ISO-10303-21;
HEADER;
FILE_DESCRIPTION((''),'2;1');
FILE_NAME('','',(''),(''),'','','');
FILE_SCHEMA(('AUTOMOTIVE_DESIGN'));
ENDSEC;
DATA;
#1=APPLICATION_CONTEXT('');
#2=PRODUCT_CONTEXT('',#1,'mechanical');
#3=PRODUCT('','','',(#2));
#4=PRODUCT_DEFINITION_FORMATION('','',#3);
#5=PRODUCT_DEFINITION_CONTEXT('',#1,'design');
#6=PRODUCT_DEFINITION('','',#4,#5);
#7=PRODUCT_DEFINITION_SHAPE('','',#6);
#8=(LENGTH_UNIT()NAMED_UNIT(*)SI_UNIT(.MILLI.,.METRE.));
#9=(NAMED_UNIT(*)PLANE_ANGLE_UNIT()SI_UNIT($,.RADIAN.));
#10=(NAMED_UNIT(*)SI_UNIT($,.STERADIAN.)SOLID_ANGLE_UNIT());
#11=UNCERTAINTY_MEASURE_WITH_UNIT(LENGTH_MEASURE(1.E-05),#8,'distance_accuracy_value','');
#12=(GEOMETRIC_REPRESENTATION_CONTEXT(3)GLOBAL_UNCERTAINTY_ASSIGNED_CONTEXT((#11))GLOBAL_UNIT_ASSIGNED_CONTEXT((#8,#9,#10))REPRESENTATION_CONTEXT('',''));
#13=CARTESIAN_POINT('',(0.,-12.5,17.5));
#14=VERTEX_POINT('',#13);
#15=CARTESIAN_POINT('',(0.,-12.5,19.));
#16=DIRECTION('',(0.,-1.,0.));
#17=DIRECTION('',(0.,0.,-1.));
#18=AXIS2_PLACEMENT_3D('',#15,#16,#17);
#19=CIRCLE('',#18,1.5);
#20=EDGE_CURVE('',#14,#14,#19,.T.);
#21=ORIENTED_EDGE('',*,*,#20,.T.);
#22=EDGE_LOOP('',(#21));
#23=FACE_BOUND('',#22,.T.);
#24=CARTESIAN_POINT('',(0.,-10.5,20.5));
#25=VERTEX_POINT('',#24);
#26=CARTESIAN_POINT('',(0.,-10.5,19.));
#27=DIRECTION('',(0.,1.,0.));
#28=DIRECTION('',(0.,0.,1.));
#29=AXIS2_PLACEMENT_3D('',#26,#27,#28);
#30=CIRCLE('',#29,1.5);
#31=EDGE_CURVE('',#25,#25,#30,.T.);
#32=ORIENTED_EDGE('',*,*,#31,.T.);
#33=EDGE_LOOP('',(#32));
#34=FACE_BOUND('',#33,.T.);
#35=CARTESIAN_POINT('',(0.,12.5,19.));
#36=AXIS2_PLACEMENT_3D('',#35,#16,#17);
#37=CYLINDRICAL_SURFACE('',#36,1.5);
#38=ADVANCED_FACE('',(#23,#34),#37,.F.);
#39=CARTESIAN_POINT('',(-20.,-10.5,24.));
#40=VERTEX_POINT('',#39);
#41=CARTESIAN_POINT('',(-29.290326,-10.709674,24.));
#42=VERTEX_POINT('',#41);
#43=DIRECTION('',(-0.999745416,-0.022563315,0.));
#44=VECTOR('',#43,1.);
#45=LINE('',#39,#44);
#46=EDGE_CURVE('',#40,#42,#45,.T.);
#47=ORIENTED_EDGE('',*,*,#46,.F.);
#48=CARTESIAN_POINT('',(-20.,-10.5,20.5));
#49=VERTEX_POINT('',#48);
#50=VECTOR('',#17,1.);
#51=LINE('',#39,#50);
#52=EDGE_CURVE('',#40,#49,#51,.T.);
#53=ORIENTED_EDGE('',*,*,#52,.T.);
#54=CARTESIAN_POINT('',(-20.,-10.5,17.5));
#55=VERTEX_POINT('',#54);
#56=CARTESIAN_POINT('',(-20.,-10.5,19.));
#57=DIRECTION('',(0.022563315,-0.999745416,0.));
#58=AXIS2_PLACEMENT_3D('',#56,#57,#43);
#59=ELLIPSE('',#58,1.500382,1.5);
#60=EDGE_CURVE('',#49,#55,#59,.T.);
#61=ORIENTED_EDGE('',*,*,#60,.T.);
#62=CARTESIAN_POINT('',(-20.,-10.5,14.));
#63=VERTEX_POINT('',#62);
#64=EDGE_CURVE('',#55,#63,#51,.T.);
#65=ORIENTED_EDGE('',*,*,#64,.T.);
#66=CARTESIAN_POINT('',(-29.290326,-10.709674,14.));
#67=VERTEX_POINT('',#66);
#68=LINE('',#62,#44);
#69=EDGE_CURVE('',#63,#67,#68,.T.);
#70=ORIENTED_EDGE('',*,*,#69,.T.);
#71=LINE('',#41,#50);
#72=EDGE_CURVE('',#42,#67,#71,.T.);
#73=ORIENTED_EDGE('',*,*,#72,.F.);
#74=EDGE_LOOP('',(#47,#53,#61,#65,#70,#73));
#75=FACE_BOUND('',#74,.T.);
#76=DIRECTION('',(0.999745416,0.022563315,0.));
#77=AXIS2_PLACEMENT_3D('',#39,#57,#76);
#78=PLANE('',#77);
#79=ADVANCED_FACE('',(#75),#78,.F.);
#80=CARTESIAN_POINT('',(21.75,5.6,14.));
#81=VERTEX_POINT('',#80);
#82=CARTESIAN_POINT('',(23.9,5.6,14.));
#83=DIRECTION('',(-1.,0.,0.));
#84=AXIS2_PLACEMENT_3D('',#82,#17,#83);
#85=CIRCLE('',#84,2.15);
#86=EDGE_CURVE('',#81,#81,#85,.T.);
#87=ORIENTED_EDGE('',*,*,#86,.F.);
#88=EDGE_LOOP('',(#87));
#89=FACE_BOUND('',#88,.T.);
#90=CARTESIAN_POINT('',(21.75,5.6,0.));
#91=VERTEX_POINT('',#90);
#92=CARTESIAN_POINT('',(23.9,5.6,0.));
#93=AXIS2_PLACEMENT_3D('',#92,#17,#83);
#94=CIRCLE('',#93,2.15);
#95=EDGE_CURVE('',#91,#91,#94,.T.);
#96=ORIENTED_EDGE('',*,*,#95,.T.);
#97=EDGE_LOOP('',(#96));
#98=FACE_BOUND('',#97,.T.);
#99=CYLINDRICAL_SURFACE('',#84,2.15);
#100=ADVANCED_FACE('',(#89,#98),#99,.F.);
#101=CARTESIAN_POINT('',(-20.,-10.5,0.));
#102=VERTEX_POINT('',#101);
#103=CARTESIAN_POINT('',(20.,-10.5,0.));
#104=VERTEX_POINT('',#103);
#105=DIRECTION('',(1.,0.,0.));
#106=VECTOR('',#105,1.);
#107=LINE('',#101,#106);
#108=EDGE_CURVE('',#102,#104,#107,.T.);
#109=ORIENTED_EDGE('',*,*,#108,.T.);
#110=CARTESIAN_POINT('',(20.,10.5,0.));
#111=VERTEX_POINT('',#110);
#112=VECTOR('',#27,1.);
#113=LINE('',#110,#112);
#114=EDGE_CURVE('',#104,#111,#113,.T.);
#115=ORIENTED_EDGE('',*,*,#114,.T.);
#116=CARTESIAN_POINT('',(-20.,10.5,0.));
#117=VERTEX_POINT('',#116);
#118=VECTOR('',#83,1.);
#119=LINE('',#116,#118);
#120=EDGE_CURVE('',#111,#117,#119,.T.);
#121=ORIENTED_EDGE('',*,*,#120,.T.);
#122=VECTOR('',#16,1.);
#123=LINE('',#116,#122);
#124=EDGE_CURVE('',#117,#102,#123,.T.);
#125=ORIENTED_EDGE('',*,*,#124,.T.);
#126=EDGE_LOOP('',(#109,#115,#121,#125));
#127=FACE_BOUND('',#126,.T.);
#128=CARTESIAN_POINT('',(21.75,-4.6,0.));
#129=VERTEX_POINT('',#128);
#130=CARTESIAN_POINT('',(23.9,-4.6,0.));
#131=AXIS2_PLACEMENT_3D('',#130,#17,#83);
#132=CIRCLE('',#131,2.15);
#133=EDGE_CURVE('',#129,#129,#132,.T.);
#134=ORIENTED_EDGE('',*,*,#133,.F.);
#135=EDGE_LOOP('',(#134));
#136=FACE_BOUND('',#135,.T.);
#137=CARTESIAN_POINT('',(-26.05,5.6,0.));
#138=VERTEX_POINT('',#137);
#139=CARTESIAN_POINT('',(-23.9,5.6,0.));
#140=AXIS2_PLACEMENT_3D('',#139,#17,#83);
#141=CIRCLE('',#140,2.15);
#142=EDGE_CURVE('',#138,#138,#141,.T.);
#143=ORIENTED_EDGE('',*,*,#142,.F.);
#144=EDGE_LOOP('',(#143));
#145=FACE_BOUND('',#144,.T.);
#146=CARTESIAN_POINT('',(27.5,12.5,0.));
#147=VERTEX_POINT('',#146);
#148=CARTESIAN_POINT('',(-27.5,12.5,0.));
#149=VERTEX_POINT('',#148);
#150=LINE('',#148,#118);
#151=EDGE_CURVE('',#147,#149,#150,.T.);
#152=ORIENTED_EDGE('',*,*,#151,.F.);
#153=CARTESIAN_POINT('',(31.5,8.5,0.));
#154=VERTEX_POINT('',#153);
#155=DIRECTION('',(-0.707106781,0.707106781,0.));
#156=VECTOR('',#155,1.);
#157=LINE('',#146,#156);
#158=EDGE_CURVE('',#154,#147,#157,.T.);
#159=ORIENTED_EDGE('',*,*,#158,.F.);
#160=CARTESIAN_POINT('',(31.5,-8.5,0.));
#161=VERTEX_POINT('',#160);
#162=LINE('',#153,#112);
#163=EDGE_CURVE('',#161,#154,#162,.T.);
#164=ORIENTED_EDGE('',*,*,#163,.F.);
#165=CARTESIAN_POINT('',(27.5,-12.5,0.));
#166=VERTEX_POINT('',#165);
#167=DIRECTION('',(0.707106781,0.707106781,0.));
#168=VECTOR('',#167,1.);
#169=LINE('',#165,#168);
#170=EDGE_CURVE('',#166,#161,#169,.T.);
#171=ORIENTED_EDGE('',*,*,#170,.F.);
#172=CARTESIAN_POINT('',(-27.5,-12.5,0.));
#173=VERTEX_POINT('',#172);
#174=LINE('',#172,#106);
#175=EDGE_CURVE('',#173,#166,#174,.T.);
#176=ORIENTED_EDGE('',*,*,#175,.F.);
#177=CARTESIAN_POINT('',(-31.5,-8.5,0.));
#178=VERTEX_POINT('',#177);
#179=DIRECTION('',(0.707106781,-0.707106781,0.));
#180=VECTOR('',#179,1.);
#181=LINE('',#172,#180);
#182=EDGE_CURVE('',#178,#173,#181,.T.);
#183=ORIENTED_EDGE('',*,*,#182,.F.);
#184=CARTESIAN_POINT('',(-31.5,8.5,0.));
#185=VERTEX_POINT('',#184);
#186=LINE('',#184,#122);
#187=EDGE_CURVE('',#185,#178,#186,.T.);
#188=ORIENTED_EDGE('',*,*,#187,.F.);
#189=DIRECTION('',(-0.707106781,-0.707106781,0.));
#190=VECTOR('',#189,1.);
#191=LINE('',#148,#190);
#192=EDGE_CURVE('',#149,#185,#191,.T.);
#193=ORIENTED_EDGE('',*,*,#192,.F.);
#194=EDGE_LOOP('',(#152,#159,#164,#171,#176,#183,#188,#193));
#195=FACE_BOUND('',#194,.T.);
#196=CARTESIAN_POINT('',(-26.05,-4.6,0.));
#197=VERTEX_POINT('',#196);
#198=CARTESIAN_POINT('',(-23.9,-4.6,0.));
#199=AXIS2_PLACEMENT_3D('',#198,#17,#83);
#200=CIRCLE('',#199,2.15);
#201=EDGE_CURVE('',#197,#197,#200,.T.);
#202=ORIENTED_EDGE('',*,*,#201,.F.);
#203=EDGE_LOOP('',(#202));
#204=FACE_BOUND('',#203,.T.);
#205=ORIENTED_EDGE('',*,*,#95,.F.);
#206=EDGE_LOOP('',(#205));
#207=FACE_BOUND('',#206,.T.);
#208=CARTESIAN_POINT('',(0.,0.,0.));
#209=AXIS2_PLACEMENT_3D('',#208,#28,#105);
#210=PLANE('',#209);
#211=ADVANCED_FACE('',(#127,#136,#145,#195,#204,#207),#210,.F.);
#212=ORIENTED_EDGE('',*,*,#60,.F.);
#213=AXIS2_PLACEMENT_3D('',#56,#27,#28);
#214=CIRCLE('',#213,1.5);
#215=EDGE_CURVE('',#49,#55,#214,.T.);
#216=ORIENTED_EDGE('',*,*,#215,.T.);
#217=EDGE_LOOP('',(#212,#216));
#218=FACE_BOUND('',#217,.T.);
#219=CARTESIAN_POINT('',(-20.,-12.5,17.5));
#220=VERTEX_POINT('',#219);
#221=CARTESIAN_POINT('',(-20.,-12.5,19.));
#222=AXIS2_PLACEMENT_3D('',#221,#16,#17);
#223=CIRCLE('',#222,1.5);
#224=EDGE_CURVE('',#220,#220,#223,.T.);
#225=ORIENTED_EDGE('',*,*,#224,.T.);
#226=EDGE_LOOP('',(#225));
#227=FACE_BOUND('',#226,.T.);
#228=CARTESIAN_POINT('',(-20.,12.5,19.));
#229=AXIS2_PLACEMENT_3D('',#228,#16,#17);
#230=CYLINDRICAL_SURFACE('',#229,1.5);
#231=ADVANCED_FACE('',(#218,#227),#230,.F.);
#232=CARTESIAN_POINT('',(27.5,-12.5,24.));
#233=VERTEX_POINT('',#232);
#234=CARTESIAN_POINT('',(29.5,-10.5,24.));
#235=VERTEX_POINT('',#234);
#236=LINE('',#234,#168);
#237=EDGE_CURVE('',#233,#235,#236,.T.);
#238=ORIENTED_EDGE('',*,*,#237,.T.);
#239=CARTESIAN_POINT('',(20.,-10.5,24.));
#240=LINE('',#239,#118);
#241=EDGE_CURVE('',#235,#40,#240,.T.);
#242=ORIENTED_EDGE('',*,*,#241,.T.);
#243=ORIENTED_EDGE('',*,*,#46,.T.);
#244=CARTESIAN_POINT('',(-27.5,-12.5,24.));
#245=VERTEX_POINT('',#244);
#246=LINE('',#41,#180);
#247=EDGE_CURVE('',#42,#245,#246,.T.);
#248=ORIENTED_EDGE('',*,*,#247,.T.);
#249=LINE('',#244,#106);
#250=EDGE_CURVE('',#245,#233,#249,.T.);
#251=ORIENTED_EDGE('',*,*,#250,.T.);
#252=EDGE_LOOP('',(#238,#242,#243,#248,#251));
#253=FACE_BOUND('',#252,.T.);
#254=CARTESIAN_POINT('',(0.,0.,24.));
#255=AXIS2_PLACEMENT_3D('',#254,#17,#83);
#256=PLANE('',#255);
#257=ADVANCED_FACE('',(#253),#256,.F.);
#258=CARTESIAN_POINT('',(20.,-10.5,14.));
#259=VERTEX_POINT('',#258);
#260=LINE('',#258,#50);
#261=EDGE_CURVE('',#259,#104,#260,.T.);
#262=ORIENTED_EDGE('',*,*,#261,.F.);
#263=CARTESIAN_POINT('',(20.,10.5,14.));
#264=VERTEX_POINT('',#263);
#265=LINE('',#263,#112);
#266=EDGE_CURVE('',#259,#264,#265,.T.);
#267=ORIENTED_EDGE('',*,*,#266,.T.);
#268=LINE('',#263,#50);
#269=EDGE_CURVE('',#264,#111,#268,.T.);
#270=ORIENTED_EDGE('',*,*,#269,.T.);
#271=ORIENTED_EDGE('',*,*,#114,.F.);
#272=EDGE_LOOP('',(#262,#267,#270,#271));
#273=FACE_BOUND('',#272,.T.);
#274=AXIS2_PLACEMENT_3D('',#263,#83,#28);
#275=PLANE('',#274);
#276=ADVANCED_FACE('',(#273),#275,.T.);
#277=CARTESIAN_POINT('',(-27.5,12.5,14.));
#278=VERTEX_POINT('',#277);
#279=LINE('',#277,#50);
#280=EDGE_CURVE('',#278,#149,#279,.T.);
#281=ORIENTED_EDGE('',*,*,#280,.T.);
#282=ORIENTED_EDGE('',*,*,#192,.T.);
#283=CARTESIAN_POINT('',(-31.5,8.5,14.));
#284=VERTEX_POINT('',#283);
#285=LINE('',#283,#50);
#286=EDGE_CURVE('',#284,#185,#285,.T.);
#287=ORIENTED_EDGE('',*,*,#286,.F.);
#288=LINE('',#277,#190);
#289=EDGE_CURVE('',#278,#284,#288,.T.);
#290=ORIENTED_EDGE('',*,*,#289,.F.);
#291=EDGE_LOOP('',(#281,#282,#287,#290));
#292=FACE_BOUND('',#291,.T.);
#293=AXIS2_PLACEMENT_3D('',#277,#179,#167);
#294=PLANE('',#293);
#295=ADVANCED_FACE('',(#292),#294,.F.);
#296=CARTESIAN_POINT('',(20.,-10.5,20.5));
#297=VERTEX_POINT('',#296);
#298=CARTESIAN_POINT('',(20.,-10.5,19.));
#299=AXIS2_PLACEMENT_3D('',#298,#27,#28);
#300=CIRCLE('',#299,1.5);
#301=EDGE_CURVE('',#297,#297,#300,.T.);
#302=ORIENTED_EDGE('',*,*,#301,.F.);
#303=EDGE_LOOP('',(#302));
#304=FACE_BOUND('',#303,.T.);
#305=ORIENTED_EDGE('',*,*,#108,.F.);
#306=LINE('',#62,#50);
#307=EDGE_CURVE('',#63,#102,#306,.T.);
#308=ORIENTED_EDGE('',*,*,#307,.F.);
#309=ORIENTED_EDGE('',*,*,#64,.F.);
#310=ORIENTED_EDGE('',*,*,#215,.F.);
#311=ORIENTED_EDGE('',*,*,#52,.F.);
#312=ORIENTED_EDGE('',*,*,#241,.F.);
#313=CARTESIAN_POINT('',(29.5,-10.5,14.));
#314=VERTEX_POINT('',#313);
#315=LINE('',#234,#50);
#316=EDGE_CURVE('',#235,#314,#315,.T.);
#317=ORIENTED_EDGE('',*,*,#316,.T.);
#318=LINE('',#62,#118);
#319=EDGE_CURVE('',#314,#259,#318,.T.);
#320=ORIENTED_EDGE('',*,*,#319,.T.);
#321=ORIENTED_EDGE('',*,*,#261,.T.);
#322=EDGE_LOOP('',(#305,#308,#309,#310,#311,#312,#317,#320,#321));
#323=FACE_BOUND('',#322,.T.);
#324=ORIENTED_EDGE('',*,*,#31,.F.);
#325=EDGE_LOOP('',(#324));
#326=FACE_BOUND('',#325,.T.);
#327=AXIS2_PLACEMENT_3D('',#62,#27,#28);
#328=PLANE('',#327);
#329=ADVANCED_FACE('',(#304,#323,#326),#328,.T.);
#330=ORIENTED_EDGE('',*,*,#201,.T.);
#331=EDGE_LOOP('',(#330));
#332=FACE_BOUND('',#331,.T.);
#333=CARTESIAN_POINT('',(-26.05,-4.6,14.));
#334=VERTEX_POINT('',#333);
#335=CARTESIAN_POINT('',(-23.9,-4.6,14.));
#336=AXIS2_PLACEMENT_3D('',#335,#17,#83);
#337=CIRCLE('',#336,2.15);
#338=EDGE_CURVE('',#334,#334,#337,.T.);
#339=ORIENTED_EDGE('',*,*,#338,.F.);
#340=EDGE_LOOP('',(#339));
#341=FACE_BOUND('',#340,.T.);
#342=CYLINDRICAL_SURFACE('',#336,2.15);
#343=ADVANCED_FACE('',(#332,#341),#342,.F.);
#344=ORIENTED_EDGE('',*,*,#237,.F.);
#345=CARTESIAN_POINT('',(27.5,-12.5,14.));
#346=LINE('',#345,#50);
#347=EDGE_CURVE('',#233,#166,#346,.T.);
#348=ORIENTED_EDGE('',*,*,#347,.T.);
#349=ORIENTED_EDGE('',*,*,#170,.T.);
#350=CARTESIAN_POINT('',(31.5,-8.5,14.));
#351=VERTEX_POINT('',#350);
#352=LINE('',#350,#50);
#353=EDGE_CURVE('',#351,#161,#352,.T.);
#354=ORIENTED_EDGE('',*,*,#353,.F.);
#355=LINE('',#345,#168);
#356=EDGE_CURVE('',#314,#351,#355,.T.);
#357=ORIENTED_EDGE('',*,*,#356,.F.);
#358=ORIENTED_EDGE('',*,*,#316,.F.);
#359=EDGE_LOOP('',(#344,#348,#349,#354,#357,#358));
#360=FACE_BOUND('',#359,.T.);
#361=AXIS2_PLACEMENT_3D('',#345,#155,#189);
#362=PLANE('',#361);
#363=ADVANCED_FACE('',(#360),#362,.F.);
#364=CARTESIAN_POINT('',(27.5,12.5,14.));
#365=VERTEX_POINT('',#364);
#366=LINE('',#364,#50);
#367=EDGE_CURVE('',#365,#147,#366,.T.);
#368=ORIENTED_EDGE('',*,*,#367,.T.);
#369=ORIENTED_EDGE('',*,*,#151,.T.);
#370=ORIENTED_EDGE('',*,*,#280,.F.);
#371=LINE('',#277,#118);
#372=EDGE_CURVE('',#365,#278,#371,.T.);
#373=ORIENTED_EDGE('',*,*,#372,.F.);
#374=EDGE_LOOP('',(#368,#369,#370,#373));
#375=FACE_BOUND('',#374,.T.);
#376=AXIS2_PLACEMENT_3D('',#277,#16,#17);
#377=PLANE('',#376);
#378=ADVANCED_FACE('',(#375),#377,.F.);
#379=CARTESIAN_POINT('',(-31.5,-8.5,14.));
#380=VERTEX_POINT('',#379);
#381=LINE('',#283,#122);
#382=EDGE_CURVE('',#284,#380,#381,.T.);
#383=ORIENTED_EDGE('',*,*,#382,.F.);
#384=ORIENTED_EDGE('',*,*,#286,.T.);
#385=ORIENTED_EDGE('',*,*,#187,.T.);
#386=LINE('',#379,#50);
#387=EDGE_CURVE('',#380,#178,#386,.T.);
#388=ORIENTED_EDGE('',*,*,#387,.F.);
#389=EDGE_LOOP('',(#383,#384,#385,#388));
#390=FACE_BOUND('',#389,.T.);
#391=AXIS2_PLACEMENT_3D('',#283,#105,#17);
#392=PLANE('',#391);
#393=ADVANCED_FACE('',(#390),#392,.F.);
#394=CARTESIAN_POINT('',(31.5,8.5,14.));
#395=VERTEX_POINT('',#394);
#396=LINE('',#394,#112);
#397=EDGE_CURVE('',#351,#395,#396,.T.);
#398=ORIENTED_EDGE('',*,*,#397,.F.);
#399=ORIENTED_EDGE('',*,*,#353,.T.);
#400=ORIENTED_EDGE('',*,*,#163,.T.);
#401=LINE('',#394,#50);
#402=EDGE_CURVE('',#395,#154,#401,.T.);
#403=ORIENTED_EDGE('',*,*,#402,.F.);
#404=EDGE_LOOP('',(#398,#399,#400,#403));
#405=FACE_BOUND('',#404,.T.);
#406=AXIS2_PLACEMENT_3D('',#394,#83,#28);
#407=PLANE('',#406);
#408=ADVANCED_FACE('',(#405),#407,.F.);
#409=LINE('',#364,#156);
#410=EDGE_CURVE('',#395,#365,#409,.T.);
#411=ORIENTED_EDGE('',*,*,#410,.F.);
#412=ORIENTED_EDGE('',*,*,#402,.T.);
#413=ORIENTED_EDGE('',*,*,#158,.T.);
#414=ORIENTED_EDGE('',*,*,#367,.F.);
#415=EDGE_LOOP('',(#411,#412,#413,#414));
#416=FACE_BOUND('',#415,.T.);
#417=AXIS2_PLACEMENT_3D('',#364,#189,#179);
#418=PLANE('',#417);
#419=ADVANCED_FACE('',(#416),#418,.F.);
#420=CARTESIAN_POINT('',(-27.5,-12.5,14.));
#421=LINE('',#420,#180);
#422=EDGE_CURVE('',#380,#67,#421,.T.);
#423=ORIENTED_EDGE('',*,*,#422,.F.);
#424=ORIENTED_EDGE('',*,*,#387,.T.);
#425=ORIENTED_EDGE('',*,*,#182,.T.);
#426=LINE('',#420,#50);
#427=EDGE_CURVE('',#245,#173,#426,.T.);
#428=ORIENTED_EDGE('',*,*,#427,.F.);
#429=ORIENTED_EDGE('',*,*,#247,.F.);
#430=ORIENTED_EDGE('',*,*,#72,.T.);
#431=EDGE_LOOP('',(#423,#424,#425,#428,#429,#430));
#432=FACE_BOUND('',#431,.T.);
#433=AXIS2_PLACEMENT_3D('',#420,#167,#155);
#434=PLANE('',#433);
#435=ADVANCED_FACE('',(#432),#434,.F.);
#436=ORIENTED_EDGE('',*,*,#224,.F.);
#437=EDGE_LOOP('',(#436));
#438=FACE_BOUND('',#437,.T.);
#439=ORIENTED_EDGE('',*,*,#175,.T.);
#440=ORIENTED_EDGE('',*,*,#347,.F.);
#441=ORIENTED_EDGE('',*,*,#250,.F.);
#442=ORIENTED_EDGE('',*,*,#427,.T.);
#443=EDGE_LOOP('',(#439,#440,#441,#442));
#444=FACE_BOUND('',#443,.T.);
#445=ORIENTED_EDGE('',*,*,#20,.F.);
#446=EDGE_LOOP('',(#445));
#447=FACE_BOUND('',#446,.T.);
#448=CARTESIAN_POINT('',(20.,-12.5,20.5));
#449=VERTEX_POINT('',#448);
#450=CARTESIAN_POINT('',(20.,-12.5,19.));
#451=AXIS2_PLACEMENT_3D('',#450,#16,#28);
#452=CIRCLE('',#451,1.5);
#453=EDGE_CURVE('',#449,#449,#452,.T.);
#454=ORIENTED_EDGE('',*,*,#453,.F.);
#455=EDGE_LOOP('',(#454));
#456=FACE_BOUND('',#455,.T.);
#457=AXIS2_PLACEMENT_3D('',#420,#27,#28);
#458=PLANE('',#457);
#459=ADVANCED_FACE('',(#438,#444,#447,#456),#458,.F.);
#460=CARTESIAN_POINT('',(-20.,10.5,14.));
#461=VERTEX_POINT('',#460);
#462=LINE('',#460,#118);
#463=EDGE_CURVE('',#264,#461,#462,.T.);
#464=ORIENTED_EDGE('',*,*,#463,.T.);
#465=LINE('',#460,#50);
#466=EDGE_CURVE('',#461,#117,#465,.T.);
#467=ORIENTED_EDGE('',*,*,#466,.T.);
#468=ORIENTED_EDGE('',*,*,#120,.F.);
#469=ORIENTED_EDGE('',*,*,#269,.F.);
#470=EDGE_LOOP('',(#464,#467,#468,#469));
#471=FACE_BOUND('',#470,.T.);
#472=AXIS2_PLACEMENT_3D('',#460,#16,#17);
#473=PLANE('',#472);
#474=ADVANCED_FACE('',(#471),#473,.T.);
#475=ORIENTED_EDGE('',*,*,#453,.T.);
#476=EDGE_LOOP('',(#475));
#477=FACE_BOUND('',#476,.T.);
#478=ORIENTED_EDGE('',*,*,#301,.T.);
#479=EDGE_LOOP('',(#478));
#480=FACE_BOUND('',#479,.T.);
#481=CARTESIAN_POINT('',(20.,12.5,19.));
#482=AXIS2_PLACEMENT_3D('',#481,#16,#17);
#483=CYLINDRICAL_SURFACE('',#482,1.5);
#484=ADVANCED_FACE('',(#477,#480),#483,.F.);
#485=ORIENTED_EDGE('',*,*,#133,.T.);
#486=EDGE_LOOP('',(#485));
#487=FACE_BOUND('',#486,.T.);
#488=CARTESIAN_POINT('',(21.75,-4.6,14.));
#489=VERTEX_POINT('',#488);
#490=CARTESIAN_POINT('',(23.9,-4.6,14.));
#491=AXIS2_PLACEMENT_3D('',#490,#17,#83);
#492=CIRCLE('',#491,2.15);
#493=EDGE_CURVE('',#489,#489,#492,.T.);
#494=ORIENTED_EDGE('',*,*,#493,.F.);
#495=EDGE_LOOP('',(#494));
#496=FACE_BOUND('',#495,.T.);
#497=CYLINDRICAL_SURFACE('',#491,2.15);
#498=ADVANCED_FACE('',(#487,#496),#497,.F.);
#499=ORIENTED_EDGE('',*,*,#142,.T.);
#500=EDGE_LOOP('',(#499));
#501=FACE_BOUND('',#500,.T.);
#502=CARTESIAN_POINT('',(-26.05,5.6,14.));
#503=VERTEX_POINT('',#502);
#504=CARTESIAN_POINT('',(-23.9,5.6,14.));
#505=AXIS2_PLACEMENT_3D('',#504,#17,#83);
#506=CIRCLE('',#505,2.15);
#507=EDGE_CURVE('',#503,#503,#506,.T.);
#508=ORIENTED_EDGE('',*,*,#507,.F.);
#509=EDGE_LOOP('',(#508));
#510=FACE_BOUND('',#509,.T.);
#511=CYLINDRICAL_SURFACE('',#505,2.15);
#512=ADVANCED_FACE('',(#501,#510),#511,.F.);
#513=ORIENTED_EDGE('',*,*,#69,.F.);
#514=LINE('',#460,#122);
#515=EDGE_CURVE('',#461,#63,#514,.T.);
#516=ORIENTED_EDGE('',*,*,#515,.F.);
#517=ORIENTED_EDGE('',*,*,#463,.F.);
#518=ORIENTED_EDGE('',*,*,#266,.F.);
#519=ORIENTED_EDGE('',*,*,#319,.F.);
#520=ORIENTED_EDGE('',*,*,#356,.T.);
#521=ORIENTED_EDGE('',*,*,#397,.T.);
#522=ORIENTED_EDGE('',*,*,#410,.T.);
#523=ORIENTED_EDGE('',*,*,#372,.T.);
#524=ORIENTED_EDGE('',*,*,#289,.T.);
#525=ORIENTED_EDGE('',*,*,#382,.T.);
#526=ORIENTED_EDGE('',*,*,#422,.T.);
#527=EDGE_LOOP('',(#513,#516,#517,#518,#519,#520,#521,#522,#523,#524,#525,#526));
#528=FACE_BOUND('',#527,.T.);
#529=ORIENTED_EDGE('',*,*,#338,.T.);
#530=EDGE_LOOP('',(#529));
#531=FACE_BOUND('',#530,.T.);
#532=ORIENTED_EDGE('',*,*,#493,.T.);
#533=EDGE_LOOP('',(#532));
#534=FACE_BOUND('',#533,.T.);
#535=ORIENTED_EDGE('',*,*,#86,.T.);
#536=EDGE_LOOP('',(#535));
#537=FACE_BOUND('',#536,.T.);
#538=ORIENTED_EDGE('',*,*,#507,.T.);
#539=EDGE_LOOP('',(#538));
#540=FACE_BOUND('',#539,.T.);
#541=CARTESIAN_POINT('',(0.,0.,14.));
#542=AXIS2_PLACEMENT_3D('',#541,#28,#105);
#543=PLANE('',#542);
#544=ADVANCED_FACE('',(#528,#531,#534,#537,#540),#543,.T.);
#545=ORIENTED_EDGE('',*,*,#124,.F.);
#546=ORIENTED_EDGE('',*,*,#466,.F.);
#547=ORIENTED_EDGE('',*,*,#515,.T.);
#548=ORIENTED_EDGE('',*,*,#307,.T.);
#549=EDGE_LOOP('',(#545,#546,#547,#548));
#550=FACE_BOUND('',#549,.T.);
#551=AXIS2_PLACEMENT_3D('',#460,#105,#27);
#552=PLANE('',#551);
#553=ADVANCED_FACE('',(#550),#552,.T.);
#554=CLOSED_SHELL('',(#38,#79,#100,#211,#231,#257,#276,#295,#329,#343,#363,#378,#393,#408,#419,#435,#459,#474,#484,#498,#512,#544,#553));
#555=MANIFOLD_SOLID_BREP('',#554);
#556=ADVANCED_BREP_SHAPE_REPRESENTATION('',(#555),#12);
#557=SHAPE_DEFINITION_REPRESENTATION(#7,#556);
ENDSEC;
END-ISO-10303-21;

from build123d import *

# Parameters (mm, degrees)
SKETCH1_W           = 40
SKETCH1_H           = 21
BOSS_EXTRUDE1_DEPTH = 14
SKETCH2_R           = 2.15
CUT_EXTRUDE1_DEPTH  = 15
BOSS_EXTRUDE2_DEPTH = 10
SKETCH4_R           = 1.5
CUT_EXTRUDE3_DEPTH  = 26


with BuildPart() as part:
    # Sketch1 → Boss-Extrude1 (new body)
    with BuildSketch(Plane.XY):
        Polygon((-27.5, 12.5), (-31.5, 8.5), (-31.5, -8.5), (-27.5, -12.5), (27.5, -12.5), (31.5, -8.5), (31.5, 8.5), (27.5, 12.5), align=None)
        Rectangle(SKETCH1_W, SKETCH1_H, mode=Mode.SUBTRACT)
    extrude(amount=BOSS_EXTRUDE1_DEPTH)

    # Sketch2 → Cut-Extrude1 (cut, through all)
    with BuildSketch(Plane(origin=(0, 0, 0), x_dir=(-1, 0, 0), z_dir=(0, 0, -1))):
        with Locations((-23.9, 5.6)):
            Circle(SKETCH2_R)
        with Locations((-23.9, -4.6)):
            Circle(SKETCH2_R)
        with Locations((23.9, 5.6)):
            Circle(SKETCH2_R)
        with Locations((23.9, -4.6)):
            Circle(SKETCH2_R)
    extrude(amount=-CUT_EXTRUDE1_DEPTH, mode=Mode.SUBTRACT)

    # Sketch3 → Boss-Extrude2 (add)
    with BuildSketch(Plane.XY.offset(14)):
        Polygon((-27.5, -12.5), (27.5, -12.5), (29.5, -10.5), (20, -10.5), (-20, -10.5), (-29.290326063, -10.709673937), align=None)
    extrude(amount=BOSS_EXTRUDE2_DEPTH)

    # Sketch4 → Cut-Extrude3 (cut, through all)
    with BuildSketch(Plane.XZ.offset(12.5)):
        with Locations((-20, 19)):
            Circle(SKETCH4_R)
        with Locations((20, 19)):
            Circle(SKETCH4_R)
        with Locations((0, 19)):
            Circle(SKETCH4_R)
    extrude(amount=-CUT_EXTRUDE3_DEPTH, mode=Mode.SUBTRACT)


solid = part.part
